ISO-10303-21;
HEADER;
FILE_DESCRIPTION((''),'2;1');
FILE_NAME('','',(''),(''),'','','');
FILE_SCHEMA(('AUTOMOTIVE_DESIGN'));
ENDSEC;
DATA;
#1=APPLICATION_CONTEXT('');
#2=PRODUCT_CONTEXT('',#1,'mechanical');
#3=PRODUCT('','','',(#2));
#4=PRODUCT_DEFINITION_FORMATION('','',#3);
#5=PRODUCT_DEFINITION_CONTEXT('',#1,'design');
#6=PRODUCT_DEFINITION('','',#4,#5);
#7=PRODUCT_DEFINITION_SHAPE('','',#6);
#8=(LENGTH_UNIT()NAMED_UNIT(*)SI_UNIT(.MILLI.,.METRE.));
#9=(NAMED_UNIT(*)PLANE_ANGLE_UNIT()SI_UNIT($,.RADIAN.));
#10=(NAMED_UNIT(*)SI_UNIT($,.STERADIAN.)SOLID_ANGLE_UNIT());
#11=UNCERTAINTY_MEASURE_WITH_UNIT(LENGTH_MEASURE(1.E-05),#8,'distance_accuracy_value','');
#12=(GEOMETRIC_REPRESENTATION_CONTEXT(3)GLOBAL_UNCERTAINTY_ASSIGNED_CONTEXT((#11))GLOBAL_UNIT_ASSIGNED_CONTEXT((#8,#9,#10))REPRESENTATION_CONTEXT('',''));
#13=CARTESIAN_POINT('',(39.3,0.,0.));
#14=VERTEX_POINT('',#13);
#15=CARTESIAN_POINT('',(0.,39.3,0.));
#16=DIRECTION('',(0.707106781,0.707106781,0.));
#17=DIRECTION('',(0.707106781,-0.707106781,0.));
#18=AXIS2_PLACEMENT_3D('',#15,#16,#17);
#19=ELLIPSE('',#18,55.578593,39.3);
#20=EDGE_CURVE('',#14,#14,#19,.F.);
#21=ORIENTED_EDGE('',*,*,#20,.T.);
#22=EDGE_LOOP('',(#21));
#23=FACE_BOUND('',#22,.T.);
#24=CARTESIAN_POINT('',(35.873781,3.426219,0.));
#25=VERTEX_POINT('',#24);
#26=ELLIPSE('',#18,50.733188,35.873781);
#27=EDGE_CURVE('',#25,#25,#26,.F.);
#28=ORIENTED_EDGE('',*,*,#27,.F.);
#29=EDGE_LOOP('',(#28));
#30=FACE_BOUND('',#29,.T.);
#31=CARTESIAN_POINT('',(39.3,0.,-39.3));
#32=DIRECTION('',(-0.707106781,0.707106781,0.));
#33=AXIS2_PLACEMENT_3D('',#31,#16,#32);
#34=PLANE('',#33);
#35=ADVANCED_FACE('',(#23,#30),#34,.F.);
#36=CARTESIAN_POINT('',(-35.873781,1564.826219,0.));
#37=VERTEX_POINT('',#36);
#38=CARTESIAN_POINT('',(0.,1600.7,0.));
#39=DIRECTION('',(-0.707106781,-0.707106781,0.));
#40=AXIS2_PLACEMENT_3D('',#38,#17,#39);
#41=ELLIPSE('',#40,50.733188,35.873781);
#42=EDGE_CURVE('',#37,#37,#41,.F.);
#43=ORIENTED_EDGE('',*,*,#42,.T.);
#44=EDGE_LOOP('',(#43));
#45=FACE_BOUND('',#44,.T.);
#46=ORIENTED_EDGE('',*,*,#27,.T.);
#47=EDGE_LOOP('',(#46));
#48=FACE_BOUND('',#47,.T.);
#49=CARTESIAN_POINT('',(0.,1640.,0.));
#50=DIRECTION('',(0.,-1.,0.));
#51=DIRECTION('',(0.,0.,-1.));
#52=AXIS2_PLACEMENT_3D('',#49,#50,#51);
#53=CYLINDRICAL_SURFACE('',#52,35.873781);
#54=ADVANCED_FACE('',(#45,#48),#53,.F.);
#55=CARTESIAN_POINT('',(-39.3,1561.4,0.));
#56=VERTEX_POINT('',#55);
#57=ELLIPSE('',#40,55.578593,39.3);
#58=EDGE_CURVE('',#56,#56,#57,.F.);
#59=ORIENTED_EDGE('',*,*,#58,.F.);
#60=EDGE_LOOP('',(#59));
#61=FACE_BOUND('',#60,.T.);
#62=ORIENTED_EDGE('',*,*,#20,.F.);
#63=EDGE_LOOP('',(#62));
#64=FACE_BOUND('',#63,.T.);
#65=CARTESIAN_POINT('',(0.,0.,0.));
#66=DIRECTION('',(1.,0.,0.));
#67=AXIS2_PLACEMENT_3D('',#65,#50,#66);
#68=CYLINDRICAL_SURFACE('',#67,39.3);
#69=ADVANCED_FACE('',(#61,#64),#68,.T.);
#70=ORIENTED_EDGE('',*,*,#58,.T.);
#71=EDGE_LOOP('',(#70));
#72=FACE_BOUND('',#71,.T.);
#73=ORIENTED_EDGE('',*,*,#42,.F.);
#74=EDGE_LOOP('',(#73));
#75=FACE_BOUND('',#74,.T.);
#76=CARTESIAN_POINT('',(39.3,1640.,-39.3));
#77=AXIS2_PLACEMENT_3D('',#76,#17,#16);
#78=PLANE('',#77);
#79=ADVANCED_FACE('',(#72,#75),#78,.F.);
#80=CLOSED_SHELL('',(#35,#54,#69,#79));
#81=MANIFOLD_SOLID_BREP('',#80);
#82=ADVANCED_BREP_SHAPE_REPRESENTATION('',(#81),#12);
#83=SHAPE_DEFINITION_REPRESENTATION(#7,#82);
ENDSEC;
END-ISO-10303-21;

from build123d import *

# Parameters (mm, degrees)
ESBO_O2_W                  = 39.3
ESBO_O2_H                  = 1640
CORTE_EXTRUS_O1_DEPTH      = 1641.941491949
CORTE_EXTRUS_O1_DEPTH_BACK = 1641.941491949
ESBO_O9_R                  = 35.87378144
CORTE_EXTRUS_O6_DEPTH      = 1641.941491949


with BuildPart() as part:
    # Esboço2 → Revolução2 (revolve)
    with BuildSketch(Plane.XY):
        with Locations((19.65, 820)):
            Rectangle(ESBO_O2_W, ESBO_O2_H)
    revolve(axis=Axis((0, 0, 0), (0, 1, 0)))

    # Esboço3 → Corte-extrusão1 (cut, two sides: drawn at the far end of the back side and taken through both)
    with BuildSketch(Plane.XY.offset(-CORTE_EXTRUS_O1_DEPTH_BACK)):
        Polygon((-39.3, 1640), (39.3, 1640), (-39.3, 1561.4), align=None)
        Polygon((39.3, 0), (-39.3, 78.6), (-39.3, 0), align=None)
    extrude(amount=CORTE_EXTRUS_O1_DEPTH + CORTE_EXTRUS_O1_DEPTH_BACK, mode=Mode.SUBTRACT)

    # Esboço9 → Corte-extrusão6 (cut, through all)
    with BuildSketch(Plane(origin=(0, 0, 0), x_dir=(1, 0, 0), z_dir=(0, 1, 0))):
        Circle(ESBO_O9_R)
    extrude(amount=CORTE_EXTRUS_O6_DEPTH, mode=Mode.SUBTRACT)


solid = part.part
